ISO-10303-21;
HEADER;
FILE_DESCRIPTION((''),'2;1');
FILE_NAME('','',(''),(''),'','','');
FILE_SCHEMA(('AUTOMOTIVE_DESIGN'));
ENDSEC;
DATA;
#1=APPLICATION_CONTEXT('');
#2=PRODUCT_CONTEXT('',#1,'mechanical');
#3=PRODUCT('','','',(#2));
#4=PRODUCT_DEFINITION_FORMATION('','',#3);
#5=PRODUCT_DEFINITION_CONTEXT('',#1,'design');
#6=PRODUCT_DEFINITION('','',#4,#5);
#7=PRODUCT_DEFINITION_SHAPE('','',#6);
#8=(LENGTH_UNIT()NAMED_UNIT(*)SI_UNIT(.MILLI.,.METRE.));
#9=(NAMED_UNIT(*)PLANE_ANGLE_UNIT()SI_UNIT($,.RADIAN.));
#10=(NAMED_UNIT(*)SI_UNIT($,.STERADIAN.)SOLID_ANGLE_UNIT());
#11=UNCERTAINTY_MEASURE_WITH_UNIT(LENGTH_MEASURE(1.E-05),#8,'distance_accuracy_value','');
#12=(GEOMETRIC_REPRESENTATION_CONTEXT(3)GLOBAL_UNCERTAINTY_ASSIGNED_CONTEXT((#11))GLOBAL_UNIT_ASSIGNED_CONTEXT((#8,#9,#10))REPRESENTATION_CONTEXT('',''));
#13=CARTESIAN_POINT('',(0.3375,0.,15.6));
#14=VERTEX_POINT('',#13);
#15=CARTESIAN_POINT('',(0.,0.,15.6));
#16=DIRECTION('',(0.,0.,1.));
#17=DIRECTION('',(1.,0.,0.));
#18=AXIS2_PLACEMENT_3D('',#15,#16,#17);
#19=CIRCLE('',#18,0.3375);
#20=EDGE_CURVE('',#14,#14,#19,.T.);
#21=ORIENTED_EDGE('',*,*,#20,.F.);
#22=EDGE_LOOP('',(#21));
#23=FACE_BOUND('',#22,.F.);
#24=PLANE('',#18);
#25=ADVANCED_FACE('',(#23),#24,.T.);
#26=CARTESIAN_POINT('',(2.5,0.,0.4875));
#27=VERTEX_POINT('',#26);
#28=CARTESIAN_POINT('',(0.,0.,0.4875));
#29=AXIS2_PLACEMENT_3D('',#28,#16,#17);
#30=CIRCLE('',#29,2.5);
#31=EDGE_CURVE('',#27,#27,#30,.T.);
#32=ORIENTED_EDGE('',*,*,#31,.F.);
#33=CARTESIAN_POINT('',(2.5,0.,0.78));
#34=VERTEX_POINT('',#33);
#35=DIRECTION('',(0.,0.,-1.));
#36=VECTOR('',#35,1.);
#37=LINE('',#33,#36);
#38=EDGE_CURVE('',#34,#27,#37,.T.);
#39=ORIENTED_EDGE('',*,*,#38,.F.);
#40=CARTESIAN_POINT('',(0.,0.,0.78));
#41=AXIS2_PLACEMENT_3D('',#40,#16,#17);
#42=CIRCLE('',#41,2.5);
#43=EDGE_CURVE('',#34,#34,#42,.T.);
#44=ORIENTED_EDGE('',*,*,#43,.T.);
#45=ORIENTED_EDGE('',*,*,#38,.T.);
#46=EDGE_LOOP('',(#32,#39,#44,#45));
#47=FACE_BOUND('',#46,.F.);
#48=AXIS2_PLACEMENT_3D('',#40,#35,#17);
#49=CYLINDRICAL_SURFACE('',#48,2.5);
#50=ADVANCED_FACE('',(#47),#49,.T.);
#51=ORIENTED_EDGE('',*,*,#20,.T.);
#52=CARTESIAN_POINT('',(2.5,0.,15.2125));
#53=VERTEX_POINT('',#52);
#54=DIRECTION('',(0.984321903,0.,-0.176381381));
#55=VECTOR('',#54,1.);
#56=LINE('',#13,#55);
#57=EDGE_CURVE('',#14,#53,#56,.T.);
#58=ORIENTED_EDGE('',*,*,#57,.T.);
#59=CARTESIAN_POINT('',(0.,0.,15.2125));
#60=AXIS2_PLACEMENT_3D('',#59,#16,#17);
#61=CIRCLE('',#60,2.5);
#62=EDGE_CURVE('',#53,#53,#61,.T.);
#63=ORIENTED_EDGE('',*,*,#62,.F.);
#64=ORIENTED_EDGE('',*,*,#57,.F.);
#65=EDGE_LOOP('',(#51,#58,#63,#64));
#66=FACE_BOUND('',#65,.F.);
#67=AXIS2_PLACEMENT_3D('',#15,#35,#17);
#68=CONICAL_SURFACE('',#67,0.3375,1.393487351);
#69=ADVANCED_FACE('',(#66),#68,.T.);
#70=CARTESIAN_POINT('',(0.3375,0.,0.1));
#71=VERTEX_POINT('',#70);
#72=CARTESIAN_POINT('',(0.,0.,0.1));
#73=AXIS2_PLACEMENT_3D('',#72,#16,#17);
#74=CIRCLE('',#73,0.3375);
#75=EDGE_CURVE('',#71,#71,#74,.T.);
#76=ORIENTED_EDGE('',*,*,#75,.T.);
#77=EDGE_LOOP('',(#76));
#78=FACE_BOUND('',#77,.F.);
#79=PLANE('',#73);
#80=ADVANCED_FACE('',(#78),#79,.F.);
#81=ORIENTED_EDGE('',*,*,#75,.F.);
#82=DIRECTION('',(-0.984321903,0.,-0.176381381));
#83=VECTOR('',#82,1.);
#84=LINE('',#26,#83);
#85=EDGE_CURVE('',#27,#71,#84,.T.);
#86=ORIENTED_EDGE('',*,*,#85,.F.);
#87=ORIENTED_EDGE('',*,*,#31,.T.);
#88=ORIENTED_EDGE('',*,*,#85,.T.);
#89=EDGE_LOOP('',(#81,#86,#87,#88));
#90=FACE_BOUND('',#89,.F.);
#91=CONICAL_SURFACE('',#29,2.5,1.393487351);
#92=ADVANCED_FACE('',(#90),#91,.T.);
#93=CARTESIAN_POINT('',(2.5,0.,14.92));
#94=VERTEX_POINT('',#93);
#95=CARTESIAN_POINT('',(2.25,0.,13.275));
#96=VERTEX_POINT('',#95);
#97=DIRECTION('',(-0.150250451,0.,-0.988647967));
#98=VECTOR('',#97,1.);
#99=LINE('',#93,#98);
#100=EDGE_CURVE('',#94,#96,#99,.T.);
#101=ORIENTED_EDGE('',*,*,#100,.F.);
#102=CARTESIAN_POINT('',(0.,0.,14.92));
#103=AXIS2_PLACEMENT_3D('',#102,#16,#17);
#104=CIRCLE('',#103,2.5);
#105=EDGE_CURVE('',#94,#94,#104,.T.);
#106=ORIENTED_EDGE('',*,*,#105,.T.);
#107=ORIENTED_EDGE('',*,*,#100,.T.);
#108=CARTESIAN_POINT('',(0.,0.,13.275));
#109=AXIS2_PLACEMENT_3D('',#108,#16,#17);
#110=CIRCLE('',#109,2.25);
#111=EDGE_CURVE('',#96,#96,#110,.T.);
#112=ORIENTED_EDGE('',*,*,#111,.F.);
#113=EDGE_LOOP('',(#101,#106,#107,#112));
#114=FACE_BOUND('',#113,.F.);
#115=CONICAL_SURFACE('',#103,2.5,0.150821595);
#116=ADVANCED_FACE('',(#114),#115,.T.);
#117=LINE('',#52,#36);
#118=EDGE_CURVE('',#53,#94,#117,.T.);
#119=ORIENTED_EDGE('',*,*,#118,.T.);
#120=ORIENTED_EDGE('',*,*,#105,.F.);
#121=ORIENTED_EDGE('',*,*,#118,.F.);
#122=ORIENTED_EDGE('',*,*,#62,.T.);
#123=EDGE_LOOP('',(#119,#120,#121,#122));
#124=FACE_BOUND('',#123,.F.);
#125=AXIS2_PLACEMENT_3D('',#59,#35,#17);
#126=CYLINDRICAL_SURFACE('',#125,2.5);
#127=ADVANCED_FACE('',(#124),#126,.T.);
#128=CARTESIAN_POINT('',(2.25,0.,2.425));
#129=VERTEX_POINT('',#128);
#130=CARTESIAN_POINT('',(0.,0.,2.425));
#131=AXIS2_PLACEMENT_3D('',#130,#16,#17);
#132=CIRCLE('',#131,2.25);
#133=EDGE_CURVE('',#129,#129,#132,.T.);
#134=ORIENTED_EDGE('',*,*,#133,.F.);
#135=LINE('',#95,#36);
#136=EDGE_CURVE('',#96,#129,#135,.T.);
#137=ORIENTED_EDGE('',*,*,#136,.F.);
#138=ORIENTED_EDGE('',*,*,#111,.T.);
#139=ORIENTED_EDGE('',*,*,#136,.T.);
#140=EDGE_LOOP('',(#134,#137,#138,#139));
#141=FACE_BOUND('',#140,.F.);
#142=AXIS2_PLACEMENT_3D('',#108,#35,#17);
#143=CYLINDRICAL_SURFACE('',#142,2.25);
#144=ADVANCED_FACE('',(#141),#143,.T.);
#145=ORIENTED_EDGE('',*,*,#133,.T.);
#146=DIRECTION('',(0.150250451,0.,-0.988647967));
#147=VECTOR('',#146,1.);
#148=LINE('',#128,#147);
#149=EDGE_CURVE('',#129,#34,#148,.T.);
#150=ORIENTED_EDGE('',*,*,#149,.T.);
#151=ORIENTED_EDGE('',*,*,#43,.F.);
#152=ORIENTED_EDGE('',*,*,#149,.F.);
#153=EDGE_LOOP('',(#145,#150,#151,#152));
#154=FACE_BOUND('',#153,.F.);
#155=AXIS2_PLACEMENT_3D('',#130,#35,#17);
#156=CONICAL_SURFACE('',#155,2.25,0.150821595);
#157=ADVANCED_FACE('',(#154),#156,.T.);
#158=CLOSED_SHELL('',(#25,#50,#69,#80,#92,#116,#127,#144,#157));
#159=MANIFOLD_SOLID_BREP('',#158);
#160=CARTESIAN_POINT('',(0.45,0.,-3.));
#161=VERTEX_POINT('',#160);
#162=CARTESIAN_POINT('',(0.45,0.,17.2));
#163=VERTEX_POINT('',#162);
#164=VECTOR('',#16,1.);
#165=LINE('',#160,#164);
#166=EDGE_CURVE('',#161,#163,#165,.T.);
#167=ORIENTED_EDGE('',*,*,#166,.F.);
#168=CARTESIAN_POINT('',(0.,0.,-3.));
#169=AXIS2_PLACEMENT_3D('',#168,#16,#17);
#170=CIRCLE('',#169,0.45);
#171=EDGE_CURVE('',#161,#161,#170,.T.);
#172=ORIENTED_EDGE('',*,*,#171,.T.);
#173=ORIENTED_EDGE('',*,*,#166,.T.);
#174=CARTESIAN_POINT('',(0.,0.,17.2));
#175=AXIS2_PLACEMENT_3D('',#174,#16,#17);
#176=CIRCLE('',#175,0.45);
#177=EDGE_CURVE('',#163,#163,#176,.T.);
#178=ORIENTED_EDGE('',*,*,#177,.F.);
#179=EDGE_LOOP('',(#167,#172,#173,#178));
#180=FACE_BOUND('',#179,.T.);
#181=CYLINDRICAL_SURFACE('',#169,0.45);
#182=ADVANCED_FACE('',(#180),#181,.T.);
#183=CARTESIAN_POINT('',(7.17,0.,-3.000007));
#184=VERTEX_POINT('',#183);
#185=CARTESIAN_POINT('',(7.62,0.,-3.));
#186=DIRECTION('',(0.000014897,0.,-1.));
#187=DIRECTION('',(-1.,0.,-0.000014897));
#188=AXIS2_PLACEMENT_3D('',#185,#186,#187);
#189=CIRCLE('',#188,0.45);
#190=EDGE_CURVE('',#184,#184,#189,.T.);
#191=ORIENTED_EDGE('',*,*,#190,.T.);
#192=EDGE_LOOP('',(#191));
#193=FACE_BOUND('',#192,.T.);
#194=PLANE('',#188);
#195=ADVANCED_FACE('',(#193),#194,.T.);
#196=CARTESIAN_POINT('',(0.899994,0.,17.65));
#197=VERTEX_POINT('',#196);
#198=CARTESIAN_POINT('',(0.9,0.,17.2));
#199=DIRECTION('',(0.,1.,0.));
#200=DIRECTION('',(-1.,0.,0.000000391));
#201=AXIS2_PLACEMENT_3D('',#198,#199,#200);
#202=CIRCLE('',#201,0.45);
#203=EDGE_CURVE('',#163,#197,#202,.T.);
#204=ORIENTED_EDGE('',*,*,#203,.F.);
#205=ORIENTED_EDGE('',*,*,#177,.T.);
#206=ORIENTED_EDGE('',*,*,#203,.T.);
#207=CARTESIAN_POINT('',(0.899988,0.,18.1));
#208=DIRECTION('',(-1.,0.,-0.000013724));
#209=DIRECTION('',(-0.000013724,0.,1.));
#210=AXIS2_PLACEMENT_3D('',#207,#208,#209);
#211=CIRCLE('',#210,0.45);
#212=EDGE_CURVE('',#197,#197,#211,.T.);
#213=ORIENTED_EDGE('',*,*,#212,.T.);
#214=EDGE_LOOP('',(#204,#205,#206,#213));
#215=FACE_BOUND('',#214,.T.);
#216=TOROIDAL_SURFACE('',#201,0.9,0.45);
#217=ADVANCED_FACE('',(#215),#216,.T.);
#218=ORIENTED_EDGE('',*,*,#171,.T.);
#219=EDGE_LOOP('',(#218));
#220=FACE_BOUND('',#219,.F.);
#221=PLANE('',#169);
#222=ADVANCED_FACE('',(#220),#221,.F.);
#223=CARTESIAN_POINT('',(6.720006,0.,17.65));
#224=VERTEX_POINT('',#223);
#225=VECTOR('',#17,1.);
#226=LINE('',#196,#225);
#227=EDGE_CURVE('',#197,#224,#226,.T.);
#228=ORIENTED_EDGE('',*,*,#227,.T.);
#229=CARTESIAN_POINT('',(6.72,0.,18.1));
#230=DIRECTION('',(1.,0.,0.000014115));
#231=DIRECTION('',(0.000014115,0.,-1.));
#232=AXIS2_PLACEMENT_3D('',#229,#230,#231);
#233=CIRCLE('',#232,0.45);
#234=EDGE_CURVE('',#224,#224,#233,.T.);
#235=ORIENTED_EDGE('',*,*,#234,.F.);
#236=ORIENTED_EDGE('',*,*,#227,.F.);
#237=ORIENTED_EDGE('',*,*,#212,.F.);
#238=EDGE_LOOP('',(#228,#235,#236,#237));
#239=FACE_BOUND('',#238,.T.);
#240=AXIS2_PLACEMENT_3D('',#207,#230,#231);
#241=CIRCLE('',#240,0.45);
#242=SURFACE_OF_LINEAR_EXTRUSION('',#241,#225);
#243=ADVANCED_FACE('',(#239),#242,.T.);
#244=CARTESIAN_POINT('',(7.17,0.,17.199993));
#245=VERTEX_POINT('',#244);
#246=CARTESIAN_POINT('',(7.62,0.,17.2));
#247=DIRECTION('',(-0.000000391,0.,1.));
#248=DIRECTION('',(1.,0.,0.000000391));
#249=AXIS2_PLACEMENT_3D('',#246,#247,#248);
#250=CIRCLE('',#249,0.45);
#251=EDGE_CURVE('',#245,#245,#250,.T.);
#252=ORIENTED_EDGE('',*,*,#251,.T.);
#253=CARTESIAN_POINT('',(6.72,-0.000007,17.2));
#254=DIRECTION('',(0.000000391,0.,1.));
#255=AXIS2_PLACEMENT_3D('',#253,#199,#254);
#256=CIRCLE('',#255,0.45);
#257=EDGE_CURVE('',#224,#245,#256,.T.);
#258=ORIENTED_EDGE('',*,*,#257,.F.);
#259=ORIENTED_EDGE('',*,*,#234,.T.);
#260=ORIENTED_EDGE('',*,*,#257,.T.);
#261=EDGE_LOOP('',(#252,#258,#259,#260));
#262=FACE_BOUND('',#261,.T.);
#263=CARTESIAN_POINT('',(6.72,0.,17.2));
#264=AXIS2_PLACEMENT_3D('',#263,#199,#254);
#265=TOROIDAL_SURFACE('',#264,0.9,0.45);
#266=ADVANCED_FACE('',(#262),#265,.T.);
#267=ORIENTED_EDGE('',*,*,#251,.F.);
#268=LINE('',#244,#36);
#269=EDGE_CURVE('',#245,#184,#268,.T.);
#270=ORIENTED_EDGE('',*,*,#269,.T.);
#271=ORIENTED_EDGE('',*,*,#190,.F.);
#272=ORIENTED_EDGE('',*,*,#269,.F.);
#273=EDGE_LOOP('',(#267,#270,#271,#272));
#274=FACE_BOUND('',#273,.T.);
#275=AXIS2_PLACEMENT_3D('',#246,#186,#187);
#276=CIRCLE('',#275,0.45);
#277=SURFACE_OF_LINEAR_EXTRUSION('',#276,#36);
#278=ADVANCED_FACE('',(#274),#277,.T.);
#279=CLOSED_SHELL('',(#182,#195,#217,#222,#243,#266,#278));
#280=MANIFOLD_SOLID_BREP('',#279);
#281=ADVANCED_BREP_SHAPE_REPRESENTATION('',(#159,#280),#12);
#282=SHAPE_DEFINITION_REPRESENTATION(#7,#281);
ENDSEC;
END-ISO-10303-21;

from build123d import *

# Parameters (mm, degrees)
SKETCH_R = 0.45


with BuildPart() as sweep_body:
    # Sweep: sweep along a path in Sketch001
    with BuildLine(Plane.XZ) as sweep_path:
        Line((0, -3), (0, 17.2))
        ThreePointArc((0, 17.2), (0.2636, 17.836392), (0.899988, 18.1))
        Line((0.899988, 18.1), (6.72, 18.1))
        ThreePointArc((6.72, 18.1), (7.356396, 17.836396), (7.62, 17.2))
        Line((7.62, 17.2), (7.62, -3))
    # Sketch → Sweep (sweep)
    with BuildSketch(Plane.XY.offset(-2)):
        Circle(SKETCH_R)
    sweep(path=sweep_path.line)


with BuildPart() as revolution:
    # Sketch002 → Revolution (revolve)
    with BuildSketch(Plane.XZ):
        Polygon((0, 0.1), (0, 15.6), (0.3375, 15.6), (2.5, 15.2125), (2.5, 14.92), (2.25, 13.275), (2.25, 2.425), (2.5, 0.78), (2.5, 0.4875), (0.3375, 0.1), align=None)
    revolve(axis=Axis((0, 0, 0), (0, 0, 1)))


solid = Compound([sweep_body.part, revolution.part])
